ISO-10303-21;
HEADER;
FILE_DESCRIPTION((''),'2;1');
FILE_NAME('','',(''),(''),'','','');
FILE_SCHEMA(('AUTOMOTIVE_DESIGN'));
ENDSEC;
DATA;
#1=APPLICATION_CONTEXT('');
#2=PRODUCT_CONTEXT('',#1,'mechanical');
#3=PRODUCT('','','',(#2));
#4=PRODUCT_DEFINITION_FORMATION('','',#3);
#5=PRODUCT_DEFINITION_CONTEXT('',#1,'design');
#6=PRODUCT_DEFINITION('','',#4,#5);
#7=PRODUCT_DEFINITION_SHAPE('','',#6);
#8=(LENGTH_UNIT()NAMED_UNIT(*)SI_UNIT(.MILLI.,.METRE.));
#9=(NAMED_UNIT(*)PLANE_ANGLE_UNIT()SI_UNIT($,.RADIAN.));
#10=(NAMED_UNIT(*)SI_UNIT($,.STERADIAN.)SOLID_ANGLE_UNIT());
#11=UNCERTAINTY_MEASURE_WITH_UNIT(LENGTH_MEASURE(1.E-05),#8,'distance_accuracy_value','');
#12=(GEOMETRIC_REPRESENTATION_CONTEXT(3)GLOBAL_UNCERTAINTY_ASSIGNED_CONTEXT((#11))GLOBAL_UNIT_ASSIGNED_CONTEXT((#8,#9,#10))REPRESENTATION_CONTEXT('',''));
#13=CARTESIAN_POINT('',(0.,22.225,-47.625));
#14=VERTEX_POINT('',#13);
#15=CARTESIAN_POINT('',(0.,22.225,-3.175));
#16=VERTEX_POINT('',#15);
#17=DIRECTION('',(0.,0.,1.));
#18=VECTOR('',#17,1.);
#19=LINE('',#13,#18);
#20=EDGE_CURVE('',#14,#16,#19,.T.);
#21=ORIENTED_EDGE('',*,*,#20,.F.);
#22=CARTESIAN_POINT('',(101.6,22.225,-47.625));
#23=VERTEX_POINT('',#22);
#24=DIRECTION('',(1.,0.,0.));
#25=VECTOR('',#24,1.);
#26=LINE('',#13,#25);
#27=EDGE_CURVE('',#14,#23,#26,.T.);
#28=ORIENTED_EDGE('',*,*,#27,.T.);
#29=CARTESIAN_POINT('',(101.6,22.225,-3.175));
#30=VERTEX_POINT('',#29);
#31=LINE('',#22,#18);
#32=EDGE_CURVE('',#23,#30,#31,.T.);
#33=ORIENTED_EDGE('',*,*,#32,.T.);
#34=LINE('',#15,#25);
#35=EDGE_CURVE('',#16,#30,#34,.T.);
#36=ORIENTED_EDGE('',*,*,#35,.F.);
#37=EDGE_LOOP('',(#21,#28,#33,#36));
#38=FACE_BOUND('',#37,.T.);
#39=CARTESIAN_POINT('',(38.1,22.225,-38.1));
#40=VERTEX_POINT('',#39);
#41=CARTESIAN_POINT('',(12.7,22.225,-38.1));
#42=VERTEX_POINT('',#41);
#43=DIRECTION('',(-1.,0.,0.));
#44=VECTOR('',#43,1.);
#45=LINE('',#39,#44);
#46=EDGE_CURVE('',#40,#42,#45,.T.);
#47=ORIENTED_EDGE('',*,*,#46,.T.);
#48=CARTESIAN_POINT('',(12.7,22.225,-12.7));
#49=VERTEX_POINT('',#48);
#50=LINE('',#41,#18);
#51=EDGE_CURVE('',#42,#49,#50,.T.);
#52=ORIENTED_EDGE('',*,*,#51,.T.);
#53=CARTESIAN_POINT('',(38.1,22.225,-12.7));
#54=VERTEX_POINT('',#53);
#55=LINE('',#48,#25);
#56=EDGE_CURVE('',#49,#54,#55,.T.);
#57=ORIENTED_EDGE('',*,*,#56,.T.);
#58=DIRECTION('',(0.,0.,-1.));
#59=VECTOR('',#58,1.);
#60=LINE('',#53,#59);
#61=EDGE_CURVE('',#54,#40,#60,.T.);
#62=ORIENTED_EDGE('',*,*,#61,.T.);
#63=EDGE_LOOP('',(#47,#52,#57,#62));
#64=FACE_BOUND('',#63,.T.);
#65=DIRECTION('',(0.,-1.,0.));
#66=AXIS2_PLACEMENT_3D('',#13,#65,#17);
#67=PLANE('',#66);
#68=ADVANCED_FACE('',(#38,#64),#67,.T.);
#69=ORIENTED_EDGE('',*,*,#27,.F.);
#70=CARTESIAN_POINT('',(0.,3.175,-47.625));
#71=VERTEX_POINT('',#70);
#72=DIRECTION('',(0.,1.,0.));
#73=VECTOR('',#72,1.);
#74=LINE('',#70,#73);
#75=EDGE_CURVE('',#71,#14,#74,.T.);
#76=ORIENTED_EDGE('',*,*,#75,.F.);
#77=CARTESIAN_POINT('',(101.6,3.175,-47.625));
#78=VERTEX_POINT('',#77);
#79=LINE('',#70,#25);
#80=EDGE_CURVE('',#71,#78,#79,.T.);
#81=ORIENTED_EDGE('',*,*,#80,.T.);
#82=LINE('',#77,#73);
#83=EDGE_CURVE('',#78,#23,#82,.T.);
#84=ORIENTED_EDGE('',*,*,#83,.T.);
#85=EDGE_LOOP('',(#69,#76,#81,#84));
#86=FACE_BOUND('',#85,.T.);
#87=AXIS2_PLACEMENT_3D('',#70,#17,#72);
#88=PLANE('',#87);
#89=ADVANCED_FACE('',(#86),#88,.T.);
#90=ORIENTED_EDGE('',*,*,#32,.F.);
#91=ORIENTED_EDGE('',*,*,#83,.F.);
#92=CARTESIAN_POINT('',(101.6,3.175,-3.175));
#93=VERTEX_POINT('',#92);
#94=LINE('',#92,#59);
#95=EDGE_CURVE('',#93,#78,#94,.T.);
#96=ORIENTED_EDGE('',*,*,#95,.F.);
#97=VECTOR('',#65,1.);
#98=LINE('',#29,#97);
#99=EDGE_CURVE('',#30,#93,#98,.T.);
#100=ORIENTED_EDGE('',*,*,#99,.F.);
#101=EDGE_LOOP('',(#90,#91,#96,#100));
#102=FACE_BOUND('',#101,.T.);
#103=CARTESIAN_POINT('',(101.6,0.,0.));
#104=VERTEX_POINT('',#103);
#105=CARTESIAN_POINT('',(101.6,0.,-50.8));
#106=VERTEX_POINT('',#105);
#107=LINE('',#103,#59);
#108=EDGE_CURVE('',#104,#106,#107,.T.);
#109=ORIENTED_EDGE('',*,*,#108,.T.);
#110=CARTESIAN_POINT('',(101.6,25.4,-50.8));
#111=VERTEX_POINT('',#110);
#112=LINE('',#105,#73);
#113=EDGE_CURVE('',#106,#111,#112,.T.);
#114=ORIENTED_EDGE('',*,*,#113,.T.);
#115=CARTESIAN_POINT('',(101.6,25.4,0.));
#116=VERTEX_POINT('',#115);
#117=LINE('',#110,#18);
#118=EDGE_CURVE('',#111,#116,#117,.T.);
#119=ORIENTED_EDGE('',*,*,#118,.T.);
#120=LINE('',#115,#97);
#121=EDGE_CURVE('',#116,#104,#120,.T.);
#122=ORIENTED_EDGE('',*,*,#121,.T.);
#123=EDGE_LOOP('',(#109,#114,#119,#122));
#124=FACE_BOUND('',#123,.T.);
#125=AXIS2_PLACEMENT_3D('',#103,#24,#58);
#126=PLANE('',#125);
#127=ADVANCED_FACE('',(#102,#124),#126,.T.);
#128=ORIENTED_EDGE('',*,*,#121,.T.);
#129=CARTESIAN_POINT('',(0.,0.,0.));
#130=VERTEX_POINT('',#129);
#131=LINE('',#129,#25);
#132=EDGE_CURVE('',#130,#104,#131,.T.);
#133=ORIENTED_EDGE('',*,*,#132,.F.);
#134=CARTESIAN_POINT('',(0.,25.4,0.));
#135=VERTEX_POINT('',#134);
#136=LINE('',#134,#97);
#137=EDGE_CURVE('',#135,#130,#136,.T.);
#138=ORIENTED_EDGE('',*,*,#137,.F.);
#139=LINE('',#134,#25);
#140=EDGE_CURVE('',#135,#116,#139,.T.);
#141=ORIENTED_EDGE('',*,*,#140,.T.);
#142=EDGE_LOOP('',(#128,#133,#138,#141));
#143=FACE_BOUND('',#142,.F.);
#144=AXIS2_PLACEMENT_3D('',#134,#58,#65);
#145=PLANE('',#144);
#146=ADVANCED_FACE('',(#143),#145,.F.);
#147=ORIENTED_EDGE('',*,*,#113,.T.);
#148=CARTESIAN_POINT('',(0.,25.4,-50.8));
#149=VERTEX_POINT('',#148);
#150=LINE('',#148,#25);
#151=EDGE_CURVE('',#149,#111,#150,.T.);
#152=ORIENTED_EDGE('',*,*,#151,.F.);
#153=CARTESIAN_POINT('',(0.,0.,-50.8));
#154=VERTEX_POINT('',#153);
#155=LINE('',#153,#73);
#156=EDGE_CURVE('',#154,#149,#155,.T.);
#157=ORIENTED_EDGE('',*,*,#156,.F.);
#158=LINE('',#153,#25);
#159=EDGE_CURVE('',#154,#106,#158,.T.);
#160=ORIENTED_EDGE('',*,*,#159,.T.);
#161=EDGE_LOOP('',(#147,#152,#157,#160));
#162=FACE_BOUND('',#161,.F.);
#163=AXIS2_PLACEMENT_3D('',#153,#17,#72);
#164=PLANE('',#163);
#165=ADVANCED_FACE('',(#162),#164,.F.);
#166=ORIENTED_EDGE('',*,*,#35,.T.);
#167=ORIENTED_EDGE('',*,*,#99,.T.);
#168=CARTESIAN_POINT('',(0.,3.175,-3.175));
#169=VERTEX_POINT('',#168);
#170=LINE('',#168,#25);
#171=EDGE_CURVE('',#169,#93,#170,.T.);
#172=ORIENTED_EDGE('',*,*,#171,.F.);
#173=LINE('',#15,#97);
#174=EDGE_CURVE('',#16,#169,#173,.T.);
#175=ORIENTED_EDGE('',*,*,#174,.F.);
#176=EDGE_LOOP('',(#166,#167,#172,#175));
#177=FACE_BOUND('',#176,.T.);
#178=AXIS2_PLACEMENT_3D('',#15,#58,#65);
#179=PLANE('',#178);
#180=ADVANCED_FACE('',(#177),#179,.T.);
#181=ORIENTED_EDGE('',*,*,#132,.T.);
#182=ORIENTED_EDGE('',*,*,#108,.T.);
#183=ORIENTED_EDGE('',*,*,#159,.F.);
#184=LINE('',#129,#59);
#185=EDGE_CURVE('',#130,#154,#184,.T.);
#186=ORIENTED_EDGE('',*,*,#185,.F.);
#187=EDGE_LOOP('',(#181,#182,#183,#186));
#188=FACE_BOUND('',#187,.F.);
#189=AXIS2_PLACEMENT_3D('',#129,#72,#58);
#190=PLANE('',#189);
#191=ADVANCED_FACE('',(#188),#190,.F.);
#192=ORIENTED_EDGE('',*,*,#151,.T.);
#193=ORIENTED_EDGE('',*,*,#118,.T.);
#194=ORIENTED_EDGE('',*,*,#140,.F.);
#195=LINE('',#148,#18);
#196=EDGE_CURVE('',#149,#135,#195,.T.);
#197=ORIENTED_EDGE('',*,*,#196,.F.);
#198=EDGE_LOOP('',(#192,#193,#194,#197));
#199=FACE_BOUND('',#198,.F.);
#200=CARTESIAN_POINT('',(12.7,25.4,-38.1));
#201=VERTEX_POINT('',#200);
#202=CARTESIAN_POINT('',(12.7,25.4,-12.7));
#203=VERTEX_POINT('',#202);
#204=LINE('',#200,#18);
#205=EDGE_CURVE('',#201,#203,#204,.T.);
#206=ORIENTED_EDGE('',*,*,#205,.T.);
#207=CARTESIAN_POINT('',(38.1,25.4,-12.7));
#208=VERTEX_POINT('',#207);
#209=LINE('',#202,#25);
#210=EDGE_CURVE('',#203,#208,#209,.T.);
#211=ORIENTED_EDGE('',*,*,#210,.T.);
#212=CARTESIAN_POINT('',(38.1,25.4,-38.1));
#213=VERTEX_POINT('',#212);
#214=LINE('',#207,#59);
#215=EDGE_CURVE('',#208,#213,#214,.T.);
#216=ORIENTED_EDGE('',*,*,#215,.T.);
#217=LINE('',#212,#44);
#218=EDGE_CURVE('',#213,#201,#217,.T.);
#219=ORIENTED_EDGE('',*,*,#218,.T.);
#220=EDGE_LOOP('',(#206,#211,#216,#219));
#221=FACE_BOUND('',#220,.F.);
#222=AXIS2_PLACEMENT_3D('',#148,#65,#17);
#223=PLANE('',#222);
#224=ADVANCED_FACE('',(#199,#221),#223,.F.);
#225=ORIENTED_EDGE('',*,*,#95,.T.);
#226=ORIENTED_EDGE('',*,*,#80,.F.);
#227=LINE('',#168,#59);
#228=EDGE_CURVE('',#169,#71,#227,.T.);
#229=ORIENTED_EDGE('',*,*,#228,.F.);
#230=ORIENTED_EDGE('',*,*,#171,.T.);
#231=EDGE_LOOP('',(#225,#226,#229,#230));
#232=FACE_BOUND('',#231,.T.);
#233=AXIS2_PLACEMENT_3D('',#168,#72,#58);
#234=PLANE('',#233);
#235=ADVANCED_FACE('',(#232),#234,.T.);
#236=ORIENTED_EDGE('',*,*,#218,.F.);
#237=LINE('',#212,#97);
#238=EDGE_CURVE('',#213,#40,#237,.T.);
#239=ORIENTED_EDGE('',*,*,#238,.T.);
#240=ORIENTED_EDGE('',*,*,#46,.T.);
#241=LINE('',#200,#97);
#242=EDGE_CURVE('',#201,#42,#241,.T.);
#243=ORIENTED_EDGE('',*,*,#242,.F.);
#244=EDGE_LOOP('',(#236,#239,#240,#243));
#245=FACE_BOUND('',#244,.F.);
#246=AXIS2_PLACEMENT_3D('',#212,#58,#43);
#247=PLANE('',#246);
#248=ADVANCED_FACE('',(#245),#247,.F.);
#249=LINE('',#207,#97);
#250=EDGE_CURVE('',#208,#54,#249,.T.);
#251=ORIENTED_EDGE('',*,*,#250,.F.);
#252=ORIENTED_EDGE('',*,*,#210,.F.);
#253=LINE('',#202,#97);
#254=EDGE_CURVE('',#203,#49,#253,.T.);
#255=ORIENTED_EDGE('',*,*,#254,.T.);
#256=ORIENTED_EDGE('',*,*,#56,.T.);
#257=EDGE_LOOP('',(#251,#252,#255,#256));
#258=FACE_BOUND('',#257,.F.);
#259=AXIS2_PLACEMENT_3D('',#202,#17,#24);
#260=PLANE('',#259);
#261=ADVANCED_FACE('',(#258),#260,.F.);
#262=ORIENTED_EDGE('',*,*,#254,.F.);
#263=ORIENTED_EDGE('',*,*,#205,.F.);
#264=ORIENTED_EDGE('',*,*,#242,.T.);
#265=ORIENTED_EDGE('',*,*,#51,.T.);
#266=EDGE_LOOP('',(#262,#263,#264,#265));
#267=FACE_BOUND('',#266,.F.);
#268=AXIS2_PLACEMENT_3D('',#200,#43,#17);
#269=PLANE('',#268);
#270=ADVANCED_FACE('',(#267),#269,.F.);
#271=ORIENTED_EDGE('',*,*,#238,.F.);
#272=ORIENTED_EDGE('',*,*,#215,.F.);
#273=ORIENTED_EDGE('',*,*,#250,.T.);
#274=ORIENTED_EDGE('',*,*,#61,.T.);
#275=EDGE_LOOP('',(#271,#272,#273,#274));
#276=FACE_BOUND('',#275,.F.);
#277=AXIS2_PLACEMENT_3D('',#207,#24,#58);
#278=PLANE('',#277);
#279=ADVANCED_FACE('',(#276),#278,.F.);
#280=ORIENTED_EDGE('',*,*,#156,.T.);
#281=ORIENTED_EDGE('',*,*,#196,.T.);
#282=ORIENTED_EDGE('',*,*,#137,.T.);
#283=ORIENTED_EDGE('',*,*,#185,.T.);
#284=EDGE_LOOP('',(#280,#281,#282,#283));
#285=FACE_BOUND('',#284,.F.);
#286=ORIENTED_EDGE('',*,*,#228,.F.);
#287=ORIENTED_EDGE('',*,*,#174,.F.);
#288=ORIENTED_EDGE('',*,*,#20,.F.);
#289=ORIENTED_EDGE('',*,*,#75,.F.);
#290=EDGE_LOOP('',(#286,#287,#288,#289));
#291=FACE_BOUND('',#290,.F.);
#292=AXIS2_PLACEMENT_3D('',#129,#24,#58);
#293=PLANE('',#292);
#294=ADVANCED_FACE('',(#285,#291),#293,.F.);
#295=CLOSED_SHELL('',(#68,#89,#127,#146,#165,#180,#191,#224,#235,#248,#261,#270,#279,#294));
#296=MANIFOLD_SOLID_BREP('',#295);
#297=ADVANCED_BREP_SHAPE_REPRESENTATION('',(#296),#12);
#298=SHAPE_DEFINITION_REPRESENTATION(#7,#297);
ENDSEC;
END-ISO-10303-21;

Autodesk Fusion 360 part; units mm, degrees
sketch "Sketch1" plane through (0, 0, 0) normal (1, 0, 0) x (0, 0, -1)
  line L0 (0, 0) -> (50.8, 0)
  line L1 (50.8, 0) -> (50.8, 25.4)
  line L2 (50.8, 25.4) -> (0, 25.4)
  line L3 (0, 25.4) -> (0, 0)
  line L4 (3.175, 3.175) -> (47.625, 3.175)
  line L5 (47.625, 3.175) -> (47.625, 22.225)
  line L6 (47.625, 22.225) -> (3.175, 22.225)
  line L7 (3.175, 22.225) -> (3.175, 3.175)
  dimension "d1" = 50.8
  dimension "d2" = 25.4
  dimension "d3" = -3.175
extrude "Extrude1" add sketch "Sketch1" along normal blind 101.6
sketch "Sketch2" plane through (0, 25.4, 0) normal (0, 1, 0) x (-1, 0, 0)
  line L0 (0, -50.8) -> (0, 0)
  line L1 (0, 0) -> (-101.6, 0)
  line L2 (-101.6, 0) -> (-101.6, -50.8)
  line L3 (-101.6, -50.8) -> (0, -50.8)
  line L4 (-12.7, -12.7) -> (-38.1, -12.7)
  line L5 (-38.1, -12.7) -> (-38.1, -38.1)
  line L6 (-38.1, -38.1) -> (-12.7, -38.1)
  line L7 (-12.7, -38.1) -> (-12.7, -12.7)
  dimension "d6" = 25.4
  dimension "d7" = 25.4
  dimension "d8" = 12.7
  dimension "d11" = 12.7
extrude "Extrude2" cut sketch "Sketch2" against normal blind 3.175 contours L4 L5 L6 L7
